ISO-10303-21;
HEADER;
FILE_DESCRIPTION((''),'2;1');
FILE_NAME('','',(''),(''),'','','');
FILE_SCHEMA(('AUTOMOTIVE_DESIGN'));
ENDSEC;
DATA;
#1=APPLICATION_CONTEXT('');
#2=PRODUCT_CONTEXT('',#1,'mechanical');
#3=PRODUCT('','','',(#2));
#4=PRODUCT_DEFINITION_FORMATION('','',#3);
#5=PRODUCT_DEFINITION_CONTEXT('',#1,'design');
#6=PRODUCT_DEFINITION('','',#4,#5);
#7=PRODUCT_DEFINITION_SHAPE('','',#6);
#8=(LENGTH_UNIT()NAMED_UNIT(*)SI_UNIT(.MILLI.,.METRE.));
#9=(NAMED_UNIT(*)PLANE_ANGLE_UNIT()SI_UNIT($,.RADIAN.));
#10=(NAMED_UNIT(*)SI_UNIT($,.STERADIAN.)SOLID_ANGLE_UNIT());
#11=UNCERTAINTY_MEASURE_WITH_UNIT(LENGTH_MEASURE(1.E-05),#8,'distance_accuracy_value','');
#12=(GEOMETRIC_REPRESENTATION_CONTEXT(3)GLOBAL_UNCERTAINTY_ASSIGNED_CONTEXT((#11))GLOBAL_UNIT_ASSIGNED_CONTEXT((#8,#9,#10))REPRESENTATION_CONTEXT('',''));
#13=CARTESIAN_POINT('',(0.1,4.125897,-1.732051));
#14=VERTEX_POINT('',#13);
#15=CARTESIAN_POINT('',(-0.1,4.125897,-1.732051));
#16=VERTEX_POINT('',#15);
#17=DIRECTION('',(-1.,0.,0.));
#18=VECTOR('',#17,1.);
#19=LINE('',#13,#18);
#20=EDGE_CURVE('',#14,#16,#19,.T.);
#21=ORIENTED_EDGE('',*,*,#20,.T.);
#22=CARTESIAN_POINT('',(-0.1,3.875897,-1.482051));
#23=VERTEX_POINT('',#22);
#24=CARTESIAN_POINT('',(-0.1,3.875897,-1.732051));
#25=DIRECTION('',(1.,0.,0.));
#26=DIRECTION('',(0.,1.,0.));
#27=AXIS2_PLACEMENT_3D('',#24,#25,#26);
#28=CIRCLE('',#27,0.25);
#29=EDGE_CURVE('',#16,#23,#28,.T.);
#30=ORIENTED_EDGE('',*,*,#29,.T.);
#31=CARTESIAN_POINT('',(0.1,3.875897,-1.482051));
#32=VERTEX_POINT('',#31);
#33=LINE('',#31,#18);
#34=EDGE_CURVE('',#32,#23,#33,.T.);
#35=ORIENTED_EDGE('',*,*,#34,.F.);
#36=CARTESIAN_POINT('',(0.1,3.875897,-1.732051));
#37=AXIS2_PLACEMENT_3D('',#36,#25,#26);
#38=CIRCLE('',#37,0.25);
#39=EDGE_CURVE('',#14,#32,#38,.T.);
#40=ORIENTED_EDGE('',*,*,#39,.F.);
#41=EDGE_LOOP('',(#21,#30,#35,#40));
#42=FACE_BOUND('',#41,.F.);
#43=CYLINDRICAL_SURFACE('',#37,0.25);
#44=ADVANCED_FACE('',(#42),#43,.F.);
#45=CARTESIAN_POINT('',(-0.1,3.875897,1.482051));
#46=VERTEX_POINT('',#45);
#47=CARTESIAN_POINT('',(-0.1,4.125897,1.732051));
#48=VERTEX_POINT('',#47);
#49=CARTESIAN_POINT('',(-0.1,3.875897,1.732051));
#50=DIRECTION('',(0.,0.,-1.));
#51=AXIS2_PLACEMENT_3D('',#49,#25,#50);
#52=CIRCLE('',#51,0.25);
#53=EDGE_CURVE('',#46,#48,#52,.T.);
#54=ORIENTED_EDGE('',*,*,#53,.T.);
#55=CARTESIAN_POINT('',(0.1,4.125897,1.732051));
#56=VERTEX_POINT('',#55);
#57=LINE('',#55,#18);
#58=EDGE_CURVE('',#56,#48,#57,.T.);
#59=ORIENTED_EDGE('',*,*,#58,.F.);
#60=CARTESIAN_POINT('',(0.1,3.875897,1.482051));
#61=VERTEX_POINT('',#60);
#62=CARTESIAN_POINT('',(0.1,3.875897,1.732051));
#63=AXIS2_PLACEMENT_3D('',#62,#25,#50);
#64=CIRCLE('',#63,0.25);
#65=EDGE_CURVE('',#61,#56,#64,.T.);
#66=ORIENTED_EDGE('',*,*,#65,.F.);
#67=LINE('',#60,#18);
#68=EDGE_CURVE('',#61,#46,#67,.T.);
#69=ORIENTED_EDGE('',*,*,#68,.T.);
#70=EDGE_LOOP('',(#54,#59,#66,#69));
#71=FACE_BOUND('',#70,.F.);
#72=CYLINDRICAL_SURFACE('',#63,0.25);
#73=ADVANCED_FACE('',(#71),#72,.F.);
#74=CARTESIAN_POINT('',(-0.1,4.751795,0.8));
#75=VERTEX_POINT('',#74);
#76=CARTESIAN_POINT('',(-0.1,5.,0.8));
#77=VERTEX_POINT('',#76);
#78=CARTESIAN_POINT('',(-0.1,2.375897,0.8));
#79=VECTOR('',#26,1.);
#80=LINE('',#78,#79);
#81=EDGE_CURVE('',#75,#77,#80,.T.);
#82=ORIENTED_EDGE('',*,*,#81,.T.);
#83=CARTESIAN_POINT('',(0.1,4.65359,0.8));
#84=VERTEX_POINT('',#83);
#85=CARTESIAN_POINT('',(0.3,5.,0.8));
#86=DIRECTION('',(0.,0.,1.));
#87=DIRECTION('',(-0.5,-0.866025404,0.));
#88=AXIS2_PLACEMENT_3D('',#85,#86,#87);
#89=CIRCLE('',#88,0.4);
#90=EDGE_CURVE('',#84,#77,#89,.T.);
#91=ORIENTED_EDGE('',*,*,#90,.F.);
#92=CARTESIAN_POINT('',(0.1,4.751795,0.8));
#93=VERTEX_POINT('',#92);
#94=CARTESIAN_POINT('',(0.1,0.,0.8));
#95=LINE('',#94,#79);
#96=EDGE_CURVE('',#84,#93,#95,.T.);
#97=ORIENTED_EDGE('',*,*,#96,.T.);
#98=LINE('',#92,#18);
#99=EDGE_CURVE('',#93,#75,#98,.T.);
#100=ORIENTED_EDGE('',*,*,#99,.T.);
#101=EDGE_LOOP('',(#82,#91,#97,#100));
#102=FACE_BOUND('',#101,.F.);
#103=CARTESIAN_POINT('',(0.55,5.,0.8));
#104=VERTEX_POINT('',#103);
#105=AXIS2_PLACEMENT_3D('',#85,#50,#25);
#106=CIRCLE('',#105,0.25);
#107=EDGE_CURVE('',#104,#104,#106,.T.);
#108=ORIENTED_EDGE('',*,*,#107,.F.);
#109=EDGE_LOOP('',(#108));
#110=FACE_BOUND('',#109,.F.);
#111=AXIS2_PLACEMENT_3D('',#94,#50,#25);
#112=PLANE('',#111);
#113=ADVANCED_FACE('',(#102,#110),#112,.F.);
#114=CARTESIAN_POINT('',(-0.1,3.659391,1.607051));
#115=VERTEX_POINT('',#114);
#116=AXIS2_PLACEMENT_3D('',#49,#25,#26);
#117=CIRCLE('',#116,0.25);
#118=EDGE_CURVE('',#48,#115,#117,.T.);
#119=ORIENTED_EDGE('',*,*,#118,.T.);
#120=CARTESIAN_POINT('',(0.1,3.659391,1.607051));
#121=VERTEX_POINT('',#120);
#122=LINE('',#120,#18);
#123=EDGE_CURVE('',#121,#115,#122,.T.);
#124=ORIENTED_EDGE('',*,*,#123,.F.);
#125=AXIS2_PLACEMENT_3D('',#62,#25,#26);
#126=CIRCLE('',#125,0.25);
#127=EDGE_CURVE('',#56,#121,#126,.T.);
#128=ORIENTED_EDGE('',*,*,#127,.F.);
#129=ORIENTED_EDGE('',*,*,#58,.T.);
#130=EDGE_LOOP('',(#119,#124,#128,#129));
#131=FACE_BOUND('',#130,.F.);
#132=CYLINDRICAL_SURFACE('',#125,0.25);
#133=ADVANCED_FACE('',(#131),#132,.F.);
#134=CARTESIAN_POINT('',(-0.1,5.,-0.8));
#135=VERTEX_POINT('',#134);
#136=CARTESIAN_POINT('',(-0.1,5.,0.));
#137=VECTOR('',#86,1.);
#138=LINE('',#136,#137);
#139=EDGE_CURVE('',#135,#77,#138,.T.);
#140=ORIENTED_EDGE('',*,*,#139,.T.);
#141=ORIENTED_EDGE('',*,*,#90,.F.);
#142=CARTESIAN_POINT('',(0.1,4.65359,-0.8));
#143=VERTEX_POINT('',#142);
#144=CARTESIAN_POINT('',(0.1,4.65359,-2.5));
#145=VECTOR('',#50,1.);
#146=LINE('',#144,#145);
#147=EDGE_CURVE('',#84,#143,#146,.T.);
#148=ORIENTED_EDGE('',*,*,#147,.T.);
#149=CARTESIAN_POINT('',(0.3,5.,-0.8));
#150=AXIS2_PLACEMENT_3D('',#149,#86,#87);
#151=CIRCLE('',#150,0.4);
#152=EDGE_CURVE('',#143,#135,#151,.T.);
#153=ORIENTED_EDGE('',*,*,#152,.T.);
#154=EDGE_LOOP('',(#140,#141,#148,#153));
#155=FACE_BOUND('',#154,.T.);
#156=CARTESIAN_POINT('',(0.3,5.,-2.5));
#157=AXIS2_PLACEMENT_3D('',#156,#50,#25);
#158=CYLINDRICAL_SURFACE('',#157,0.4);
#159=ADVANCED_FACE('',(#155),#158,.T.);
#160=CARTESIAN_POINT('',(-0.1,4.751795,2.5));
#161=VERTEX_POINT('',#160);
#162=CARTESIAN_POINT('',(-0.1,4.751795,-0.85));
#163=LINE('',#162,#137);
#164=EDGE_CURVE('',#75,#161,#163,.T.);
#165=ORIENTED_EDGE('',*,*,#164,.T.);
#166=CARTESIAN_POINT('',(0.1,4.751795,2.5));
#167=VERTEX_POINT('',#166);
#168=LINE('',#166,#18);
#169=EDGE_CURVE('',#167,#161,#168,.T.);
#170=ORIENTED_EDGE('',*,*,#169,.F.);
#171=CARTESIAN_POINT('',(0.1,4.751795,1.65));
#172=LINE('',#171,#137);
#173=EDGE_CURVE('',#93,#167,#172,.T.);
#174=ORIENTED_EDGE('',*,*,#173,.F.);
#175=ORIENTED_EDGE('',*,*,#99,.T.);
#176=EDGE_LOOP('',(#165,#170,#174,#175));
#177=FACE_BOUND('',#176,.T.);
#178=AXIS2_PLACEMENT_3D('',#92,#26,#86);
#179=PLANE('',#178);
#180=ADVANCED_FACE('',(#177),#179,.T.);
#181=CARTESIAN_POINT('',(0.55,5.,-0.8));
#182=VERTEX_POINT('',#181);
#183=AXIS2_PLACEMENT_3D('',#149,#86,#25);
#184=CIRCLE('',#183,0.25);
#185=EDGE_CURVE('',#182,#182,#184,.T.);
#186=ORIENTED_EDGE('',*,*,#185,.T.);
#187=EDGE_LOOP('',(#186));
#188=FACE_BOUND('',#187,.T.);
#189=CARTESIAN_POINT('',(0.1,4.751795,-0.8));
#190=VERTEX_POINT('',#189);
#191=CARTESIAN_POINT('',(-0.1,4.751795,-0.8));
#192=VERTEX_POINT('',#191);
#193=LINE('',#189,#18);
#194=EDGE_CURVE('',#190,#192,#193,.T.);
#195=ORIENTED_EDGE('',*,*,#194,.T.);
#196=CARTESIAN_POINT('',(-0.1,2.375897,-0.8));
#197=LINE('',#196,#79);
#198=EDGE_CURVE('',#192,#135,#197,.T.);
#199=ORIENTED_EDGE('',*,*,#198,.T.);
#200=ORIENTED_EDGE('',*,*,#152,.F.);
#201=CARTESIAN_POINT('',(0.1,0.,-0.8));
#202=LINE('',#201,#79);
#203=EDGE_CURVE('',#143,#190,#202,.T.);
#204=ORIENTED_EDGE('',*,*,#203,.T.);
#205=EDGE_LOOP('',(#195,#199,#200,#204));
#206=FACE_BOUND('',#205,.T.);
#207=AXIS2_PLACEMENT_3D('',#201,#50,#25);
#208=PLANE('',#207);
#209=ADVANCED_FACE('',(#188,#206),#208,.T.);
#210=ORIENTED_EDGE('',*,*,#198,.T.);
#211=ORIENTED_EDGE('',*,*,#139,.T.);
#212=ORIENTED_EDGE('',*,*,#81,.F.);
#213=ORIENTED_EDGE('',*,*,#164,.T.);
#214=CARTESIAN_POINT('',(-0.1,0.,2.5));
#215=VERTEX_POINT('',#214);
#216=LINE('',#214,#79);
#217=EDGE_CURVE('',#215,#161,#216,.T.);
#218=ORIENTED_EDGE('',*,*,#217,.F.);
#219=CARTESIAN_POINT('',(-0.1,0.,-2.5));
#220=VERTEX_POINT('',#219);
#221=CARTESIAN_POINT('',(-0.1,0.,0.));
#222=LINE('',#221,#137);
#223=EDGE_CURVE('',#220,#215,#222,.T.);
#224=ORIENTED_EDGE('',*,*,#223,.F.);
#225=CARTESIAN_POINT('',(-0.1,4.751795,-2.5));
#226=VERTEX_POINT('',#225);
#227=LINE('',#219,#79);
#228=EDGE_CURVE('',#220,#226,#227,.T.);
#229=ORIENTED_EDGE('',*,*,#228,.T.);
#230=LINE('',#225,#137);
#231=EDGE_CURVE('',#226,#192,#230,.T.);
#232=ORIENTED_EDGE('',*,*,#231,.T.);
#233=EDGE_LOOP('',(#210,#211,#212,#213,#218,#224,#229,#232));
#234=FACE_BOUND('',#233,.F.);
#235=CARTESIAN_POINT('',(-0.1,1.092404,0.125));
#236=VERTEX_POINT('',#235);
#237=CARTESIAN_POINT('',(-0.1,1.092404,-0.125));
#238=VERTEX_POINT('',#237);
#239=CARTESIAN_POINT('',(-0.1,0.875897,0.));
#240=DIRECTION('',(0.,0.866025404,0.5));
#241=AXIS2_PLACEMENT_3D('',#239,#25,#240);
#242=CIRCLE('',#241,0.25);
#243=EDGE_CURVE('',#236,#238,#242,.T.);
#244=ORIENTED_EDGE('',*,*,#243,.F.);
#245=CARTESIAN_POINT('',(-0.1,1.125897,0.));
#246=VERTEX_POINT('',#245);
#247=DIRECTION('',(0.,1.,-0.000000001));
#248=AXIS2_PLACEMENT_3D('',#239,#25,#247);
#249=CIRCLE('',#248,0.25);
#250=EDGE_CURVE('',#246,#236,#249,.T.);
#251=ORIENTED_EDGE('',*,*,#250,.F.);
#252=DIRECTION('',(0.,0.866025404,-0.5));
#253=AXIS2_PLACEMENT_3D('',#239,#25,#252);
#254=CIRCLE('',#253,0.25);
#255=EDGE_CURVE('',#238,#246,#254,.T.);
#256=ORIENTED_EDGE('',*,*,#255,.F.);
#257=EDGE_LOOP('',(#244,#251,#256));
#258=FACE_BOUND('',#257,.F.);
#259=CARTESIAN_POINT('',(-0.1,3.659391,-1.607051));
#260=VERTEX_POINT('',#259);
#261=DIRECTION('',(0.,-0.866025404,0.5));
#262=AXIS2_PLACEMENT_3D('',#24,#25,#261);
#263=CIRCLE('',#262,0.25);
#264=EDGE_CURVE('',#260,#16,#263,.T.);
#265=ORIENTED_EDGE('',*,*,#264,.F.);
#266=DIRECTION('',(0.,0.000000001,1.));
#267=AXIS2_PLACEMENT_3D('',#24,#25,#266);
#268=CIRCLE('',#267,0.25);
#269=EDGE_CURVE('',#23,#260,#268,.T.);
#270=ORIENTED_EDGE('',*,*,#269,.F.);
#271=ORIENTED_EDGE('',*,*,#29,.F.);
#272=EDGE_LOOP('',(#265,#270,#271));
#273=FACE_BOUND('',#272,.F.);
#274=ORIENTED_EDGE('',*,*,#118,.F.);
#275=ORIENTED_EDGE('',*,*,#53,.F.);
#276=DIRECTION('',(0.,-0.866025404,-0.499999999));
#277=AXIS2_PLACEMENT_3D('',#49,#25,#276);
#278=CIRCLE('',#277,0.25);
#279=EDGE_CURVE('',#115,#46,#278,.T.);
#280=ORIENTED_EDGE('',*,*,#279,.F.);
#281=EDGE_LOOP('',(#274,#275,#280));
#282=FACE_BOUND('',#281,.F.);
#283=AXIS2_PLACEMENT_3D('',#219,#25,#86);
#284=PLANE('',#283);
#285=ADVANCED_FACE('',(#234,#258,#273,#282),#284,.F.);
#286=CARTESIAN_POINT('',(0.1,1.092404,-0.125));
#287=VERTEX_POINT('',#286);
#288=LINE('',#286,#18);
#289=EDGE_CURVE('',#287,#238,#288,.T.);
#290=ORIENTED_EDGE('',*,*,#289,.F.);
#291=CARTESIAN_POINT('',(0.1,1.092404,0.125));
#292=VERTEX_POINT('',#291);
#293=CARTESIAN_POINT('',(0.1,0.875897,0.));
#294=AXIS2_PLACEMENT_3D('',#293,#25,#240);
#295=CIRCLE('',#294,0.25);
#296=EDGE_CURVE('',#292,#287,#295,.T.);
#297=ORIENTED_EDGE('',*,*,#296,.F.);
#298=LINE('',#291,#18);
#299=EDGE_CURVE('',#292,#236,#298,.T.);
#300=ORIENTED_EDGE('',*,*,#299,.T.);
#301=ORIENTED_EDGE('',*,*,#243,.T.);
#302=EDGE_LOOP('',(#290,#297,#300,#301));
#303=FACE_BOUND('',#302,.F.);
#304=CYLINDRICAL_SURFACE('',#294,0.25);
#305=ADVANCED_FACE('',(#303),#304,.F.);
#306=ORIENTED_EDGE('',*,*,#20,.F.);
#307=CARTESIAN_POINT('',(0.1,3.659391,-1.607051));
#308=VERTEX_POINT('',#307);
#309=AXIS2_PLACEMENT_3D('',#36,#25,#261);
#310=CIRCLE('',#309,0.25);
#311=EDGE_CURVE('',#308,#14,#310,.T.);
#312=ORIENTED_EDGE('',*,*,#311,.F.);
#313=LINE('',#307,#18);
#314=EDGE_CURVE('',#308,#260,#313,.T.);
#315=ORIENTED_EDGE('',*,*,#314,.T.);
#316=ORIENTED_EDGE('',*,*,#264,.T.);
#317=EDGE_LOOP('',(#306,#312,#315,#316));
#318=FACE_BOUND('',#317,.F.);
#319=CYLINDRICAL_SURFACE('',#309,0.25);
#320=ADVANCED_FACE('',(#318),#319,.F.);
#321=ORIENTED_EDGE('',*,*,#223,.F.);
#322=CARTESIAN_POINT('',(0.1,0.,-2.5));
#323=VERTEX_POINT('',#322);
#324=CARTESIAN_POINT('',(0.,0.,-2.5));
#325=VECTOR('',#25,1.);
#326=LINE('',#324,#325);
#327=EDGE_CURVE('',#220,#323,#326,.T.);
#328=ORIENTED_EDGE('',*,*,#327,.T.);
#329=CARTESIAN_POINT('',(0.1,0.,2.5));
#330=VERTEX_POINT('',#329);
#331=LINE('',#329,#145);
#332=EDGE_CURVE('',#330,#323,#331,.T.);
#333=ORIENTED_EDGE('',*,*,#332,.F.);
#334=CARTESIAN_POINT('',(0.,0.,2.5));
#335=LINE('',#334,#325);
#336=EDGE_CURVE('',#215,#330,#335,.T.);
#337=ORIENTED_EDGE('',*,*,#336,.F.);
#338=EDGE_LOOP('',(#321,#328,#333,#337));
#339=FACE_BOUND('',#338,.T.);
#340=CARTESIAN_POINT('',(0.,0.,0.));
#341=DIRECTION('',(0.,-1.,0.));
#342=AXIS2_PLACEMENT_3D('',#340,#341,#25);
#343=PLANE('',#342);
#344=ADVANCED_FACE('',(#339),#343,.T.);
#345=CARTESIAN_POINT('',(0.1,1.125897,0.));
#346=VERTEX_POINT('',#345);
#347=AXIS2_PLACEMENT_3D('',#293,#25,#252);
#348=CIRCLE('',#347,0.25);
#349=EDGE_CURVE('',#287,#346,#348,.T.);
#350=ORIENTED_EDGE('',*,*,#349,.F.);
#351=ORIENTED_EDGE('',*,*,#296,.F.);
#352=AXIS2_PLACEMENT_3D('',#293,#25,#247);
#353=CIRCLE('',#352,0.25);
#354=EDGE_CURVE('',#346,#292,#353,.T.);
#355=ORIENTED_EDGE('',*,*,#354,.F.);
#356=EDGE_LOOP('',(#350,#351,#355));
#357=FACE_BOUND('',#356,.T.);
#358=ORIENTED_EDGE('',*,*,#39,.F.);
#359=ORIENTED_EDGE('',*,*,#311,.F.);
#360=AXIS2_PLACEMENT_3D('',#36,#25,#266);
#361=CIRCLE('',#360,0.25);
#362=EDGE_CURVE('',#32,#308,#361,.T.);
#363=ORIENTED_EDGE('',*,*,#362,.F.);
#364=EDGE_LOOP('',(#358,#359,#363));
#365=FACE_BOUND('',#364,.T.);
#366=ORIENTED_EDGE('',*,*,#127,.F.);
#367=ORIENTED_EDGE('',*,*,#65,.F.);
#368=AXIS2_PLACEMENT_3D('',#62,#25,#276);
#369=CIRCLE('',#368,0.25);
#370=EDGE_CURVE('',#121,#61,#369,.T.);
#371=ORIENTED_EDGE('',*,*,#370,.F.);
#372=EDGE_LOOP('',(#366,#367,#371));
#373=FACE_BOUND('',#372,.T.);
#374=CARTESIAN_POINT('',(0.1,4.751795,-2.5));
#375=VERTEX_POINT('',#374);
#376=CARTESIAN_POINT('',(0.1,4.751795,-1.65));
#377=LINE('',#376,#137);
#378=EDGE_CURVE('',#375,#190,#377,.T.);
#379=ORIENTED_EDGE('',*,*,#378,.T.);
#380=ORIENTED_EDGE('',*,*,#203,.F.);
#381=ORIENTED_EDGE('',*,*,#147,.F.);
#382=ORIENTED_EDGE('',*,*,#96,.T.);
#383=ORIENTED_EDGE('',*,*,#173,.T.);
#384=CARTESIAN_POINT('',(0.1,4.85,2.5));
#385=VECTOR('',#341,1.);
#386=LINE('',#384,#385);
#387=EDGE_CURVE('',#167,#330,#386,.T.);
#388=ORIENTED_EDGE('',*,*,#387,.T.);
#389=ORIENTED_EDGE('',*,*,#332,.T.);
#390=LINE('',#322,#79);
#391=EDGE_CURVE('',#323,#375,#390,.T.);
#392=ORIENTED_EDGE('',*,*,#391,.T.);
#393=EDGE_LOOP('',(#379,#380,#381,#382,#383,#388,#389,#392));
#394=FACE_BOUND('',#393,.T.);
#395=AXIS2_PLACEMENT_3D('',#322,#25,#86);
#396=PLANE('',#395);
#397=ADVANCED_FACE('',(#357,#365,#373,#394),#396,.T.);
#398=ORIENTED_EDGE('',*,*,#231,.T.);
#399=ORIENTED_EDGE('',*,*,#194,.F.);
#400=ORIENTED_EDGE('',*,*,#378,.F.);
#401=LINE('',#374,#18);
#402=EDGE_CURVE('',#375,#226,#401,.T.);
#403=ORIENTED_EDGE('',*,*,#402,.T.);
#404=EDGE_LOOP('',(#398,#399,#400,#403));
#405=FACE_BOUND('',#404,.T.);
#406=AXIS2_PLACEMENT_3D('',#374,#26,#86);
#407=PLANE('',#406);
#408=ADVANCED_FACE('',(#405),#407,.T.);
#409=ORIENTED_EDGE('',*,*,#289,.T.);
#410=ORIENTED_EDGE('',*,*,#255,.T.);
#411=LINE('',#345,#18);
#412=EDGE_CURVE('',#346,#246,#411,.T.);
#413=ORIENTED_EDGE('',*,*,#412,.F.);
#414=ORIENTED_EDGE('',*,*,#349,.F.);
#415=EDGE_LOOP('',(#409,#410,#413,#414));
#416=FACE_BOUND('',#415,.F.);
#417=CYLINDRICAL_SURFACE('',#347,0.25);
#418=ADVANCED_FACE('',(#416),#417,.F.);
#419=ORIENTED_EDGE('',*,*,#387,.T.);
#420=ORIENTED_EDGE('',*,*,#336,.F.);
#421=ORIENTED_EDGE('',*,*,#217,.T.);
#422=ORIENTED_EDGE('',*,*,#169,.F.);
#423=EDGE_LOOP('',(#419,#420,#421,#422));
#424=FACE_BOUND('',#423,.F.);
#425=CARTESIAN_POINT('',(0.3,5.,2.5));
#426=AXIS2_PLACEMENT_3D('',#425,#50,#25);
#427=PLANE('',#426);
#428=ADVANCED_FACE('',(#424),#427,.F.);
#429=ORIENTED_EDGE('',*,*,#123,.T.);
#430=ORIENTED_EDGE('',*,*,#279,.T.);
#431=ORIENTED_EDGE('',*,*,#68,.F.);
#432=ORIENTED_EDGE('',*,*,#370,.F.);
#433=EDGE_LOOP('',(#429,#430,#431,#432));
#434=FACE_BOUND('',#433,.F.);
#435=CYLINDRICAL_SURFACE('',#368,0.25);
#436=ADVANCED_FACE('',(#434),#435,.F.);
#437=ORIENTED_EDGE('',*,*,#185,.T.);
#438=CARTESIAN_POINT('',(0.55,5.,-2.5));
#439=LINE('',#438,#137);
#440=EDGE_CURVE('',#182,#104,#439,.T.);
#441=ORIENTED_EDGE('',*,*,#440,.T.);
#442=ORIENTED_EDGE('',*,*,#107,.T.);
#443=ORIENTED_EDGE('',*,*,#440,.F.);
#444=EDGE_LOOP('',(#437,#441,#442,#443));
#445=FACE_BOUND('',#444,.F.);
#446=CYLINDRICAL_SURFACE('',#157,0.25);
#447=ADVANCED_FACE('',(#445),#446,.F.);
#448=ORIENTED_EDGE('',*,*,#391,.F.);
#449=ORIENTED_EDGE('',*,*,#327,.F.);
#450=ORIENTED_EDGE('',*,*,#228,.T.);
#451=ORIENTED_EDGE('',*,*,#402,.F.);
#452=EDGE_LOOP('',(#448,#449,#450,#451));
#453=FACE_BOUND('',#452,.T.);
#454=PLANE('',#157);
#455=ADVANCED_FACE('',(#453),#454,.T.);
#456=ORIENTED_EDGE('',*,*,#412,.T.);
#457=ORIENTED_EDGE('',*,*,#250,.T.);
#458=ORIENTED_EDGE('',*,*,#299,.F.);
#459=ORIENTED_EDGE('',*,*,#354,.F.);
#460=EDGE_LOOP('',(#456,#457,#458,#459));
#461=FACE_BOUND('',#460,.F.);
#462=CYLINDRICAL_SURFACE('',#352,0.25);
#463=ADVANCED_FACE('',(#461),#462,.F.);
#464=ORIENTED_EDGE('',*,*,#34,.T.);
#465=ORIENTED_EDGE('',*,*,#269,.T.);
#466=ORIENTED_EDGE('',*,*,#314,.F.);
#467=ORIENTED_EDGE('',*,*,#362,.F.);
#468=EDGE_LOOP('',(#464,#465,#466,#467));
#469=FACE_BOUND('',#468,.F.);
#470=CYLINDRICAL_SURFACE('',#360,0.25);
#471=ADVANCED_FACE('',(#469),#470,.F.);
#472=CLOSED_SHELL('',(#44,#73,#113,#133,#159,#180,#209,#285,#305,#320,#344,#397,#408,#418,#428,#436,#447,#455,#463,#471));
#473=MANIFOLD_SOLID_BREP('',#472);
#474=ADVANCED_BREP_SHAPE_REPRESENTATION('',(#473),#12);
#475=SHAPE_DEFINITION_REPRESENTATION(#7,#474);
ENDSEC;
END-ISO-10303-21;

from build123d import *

# Parameters (mm, degrees)
F0_W      = 0.2
F0_H      = 5
F1_DEPTH  = 5
F2_R      = 0.4
F3_DEPTH  = 5
F4_R      = 0.25
F5_DEPTH  = 5.001
F6_W      = 0.8436968248
F6_H      = 1.7
F7_DEPTH  = 5.401
F8_W      = 0.7987116055
F8_H      = 1.7
F9_DEPTH  = 0.201
F11_DEPTH = 0.201


with BuildPart() as f1:
    # F0 (on Front) → F1 (new body)
    with BuildSketch(Plane.XZ):
        Rectangle(F0_W, F0_H)
    extrude(amount=-F1_DEPTH)

    # F2 (on face) → F3 (join)
    with BuildSketch(Plane(origin=(0, 0, -2.5), x_dir=(1, 0, 0), z_dir=(0, 0, -1))):
        with Locations((0.3, -5)):
            Circle(F2_R)
    extrude(amount=-F3_DEPTH)

    # F4 (on face) → F5 (cut, through all)
    with BuildSketch(Plane(origin=(0, 0, -2.5), x_dir=(1, 0, 0), z_dir=(0, 0, -1))):
        with Locations((0.3, -5)):
            Circle(F4_R)
    extrude(amount=-F5_DEPTH, mode=Mode.SUBTRACT)

    # F6 (on face) → F7 (cut, through all)
    with BuildSketch(Plane.XZ):
        with Locations((0.5218484124, 1.65)):
            Rectangle(F6_W, F6_H)
        with Locations((0.5218484124, -1.65)):
            Rectangle(F6_W, F6_H)
    extrude(amount=-F7_DEPTH, mode=Mode.SUBTRACT)

    # F8 (on face) → F9 (cut, through all)
    with BuildSketch(Plane.YZ.offset(0.1)):
        with Locations((5.151150722, 1.65)):
            Rectangle(F8_W, F8_H)
        with Locations((5.151150722, -1.65)):
            Rectangle(F8_W, F8_H)
    extrude(amount=-F9_DEPTH, mode=Mode.SUBTRACT)

    # F10 (on face) → F11 (cut, through all)
    with BuildSketch(Plane.YZ.offset(0.1)):
        with BuildLine():
            Line((3.8758974596, 1.4820508076), (3.8758974596, 1.7320508076))
            Line((3.8758974596, 1.7320508076), (3.6593911087, 1.6070508076))
            ThreePointArc((3.6593911087, 1.6070508076), (3.7508974596, 1.5155444566), (3.8758974596, 1.4820508076))
        make_face()
        with BuildLine():
            Line((3.6593911087, 1.6070508076), (3.8758974596, 1.7320508076))
            Line((3.8758974596, 1.7320508076), (3.8758974596, 1.4820508076))
            ThreePointArc((3.8758974596, 1.4820508076), (4.0526741549, 1.5552741123), (4.1258974596, 1.7320508076))
            ThreePointArc((4.1258974596, 1.7320508076), (3.8111926983, 1.9735322641), (3.6593911087, 1.6070508076))
        make_face()
        with BuildLine():
            Line((3.8758974596, -1.7320508076), (3.8758974596, -1.4820508076))
            ThreePointArc((3.8758974596, -1.4820508076), (3.7508974596, -1.5155444566), (3.6593911087, -1.6070508076))
            Line((3.6593911087, -1.6070508076), (3.8758974596, -1.7320508076))
        make_face()
        with BuildLine():
            ThreePointArc((4.1258974596, -1.7320508076), (4.0526741549, -1.5552741123), (3.8758974596, -1.4820508076))
            Line((3.8758974596, -1.4820508076), (3.8758974596, -1.7320508076))
            Line((3.8758974596, -1.7320508076), (3.6593911087, -1.6070508076))
            ThreePointArc((3.6593911087, -1.6070508076), (3.8111926983, -1.9735322641), (4.1258974596, -1.7320508076))
        make_face()
        with BuildLine():
            Line((0.8758974596, 0), (1.0924038106, 0.125))
            ThreePointArc((1.0924038106, 0.125), (0.6258974596, 0), (1.0924038106, -0.125))
            Line((1.0924038106, -0.125), (0.8758974596, 0))
        make_face()
        with BuildLine():
            ThreePointArc((1.1258974596, 0), (1.1173789162, 0.0647047613), (1.0924038106, 0.125))
            Line((1.0924038106, 0.125), (0.8758974596, 0))
            Line((0.8758974596, 0), (1.0924038106, -0.125))
            ThreePointArc((1.0924038106, -0.125), (1.1173789162, -0.0647047613), (1.1258974596, 0))
        make_face()
    extrude(amount=-F11_DEPTH, mode=Mode.SUBTRACT)


solid = f1.part
